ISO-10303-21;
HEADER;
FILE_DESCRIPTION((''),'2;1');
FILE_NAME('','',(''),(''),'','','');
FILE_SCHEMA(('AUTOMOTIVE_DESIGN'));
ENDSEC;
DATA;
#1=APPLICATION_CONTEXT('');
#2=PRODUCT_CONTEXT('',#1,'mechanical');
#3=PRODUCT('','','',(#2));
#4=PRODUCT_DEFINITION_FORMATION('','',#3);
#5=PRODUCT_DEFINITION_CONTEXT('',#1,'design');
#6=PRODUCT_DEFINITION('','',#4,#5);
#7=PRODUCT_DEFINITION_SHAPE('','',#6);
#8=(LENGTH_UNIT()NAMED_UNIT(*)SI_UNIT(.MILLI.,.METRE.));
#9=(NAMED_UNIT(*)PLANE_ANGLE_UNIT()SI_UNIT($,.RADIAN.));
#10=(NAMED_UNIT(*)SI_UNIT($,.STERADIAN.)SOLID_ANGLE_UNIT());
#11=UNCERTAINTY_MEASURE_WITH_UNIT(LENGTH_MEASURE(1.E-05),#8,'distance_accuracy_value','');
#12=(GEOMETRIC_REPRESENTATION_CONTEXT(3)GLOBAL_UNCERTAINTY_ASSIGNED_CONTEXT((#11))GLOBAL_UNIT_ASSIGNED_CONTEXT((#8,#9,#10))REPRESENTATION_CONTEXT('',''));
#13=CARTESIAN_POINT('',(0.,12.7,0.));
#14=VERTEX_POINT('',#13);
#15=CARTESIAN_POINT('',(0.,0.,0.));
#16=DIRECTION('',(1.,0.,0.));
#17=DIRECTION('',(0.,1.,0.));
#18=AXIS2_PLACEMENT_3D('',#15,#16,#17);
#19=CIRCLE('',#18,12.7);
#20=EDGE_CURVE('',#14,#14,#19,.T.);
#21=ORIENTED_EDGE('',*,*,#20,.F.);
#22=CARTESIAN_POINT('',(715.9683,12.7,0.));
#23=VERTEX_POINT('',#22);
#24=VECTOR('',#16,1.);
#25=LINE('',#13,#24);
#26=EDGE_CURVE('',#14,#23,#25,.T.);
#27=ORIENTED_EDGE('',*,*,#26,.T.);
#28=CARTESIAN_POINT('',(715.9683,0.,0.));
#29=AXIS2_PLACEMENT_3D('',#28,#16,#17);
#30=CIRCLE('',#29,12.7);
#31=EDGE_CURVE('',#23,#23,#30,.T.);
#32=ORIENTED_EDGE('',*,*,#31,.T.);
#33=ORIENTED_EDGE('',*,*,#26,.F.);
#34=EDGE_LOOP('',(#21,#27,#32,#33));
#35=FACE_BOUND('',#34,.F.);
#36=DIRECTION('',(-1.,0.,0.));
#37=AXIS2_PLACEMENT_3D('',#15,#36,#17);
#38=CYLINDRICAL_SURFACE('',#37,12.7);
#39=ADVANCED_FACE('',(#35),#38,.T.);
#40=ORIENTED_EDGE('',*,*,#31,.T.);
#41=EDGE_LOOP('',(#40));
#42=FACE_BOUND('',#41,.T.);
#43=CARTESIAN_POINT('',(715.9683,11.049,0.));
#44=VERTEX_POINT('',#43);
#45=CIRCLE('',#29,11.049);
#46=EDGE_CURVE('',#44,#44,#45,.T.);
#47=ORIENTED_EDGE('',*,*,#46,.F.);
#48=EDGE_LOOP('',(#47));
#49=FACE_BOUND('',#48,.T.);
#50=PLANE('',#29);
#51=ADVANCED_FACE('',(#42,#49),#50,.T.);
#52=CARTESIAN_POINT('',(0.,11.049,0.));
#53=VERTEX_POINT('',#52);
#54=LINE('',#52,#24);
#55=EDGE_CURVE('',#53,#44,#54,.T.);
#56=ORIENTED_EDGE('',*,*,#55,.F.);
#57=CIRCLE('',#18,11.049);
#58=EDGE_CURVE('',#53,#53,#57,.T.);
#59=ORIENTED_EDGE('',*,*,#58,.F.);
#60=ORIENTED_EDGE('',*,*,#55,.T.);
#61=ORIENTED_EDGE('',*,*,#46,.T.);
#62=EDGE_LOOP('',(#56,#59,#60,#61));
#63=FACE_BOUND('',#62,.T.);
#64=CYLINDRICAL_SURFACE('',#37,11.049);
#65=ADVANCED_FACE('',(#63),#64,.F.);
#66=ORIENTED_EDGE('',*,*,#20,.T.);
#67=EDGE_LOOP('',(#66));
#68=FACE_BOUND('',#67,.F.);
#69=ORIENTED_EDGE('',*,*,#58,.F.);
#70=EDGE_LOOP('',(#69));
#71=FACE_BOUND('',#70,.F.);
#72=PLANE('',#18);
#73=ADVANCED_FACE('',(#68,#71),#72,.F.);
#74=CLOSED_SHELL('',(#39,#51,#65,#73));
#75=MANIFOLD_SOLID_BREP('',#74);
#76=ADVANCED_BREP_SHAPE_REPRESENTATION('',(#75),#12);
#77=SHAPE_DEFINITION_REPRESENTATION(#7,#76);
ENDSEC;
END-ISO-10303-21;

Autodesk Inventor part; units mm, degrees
ref_plane "XZ Plane" through (0, 0, 0) normal (0, 1, 0) x (-1, 0, 0)
ref_plane "Start Plane" through (0, 0, 0) normal (1, 0, 0) x (0, 1, 0)
ref_plane "End Plane" through (715.9683, 0, 0) normal (1, 0, 0) x (0, 1, 0)
sketch "Sketch" plane through (0, 0, 0) normal (1, 0, 0) x (0, 1, 0)
  circle A0 centre (0, 0) radius 12.7
  circle A1 centre (0, 0) radius 11.049
  dimension "d0" = 25.4
  dimension "d1" = 1.651
extrude "Body" add sketch "Sketch" along normal up to surface (715.9683 mm away) from surface at 0
sketch "Sketch2" plane through (0, 0, 0) normal (1, 0, 0) x (0, 1, 0)
  line L0 (0, 0) -> (10, 0)
ref_plane "Work Plane3" through (0, 0, 0) normal (0, 0, -1) x (0, 1, 0)
sketch "Sketch3" plane through (0, 0, 0) normal (0, 0, -1) x (0, 1, 0)
  line L0 (-2, 0) -> (12, 0)
  line L1 (-2, 715.9683) -> (12, 715.9683)
  dimension "d9" = 715.9683
equation "\"G_OFFSET_START\" = 0"
equation "\"G_OFFSET_END\" = 0"
equation "\"d5\" = d2 + G_OFFSET_END"
equation "\"G_L\" = d9"
equation "\"d2\" = 715.968267"
properties part number "4130_1x0.065" material "Steel, Alloy"
